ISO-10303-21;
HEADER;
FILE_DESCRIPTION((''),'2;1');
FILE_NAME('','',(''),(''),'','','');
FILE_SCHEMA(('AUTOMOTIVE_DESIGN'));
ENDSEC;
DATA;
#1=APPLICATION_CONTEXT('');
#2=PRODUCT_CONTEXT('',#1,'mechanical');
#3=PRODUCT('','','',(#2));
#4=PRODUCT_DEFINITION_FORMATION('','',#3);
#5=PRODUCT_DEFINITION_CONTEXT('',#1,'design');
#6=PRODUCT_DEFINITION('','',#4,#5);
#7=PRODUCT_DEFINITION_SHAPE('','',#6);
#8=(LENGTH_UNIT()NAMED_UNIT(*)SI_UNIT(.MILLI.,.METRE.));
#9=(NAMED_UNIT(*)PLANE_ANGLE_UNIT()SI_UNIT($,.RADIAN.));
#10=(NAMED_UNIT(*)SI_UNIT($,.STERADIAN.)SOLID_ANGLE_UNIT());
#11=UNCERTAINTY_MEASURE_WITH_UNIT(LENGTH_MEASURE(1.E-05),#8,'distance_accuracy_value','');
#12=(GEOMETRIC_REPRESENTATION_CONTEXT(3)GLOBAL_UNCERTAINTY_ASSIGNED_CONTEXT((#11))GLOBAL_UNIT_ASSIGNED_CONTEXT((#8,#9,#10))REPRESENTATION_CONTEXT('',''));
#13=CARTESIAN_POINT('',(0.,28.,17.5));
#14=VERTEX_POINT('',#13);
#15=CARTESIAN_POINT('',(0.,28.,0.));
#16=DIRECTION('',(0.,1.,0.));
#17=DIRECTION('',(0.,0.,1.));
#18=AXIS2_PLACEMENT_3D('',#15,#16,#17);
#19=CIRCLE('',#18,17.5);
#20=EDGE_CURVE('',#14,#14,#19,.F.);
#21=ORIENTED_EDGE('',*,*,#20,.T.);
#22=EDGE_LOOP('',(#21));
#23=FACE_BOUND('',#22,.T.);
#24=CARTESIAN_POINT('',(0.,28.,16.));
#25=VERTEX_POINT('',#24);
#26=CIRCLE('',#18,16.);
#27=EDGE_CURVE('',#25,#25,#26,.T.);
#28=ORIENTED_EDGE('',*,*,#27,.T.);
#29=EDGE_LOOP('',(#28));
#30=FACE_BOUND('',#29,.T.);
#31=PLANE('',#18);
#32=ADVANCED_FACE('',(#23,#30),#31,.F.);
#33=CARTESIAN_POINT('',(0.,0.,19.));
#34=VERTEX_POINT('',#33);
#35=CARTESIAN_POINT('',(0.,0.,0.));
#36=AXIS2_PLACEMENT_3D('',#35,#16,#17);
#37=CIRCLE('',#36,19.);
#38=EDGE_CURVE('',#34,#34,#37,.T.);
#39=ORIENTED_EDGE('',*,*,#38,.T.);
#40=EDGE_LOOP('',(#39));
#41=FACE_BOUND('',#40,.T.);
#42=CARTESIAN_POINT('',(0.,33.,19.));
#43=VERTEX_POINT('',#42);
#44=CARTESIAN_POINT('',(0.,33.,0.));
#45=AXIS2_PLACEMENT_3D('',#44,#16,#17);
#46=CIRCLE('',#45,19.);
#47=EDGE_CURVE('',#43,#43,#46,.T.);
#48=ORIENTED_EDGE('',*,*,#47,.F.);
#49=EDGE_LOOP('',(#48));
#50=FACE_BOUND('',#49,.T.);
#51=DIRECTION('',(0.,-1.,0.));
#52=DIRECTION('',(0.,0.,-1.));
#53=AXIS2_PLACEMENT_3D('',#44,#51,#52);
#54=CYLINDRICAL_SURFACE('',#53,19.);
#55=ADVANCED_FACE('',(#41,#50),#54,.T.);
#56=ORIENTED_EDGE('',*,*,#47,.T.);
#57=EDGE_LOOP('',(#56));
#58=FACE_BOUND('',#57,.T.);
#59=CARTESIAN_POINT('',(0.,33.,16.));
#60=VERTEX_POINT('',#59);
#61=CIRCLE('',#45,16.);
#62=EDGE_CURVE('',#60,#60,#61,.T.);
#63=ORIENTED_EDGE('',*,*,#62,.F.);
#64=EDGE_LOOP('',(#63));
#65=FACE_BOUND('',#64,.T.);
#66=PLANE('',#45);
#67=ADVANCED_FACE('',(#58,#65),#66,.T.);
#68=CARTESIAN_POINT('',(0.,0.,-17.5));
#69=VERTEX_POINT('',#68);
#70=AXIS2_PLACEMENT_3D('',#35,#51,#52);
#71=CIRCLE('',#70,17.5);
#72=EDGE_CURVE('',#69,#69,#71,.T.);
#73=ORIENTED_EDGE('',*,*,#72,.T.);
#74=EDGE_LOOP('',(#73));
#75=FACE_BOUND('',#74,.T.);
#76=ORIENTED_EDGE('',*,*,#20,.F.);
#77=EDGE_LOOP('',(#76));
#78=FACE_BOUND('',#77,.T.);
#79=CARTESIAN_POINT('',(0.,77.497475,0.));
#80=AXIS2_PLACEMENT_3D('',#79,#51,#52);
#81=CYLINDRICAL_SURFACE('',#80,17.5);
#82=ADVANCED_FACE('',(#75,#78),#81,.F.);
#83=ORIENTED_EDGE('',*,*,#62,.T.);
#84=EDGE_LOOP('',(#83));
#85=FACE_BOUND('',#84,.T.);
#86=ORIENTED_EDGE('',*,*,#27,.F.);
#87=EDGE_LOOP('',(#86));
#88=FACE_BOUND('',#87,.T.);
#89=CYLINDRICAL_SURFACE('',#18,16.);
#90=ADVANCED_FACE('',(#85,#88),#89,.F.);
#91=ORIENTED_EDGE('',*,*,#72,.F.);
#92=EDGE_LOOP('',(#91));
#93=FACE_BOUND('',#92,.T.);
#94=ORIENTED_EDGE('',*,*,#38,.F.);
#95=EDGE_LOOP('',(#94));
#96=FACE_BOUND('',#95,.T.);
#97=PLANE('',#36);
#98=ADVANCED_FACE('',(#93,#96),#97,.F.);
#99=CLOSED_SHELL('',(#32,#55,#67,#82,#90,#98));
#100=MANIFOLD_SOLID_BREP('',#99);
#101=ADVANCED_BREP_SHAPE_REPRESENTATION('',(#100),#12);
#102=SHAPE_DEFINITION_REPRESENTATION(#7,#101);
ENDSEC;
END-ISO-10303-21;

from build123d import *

# Parameters (mm, degrees)
SKETCH1_R           = 19
BOSS_EXTRUDE1_DEPTH = 33
SKETCH2_R           = 16
CUT_EXTRUDE1_DEPTH  = 5
SKETCH3_R           = 17.5
CUT_EXTRUDE2_DEPTH  = 28


with BuildPart() as part:
    # Sketch1 → Boss-Extrude1 (new body)
    with BuildSketch(Plane(origin=(0, 0, 0), x_dir=(1, 0, 0), z_dir=(0, 1, 0))):
        with Locations(Location((0, 0, 0), (0, 0, 270))):
            Circle(SKETCH1_R)
    extrude(amount=BOSS_EXTRUDE1_DEPTH)

    # Sketch2 → Cut-Extrude1 (cut)
    with BuildSketch(Plane(origin=(0, 33, 0), x_dir=(1, 0, 0), z_dir=(0, 1, 0))):
        with Locations(Location((0, 0, 0), (0, 0, 270))):
            Circle(SKETCH2_R)
    extrude(amount=-CUT_EXTRUDE1_DEPTH, mode=Mode.SUBTRACT)

    # Sketch3 → Cut-Extrude2 (cut)
    with BuildSketch(Plane.XZ):
        with Locations(Location((0, 0, 0), (0, 0, 270))):
            Circle(SKETCH3_R)
    extrude(amount=-CUT_EXTRUDE2_DEPTH, mode=Mode.SUBTRACT)


solid = part.part
